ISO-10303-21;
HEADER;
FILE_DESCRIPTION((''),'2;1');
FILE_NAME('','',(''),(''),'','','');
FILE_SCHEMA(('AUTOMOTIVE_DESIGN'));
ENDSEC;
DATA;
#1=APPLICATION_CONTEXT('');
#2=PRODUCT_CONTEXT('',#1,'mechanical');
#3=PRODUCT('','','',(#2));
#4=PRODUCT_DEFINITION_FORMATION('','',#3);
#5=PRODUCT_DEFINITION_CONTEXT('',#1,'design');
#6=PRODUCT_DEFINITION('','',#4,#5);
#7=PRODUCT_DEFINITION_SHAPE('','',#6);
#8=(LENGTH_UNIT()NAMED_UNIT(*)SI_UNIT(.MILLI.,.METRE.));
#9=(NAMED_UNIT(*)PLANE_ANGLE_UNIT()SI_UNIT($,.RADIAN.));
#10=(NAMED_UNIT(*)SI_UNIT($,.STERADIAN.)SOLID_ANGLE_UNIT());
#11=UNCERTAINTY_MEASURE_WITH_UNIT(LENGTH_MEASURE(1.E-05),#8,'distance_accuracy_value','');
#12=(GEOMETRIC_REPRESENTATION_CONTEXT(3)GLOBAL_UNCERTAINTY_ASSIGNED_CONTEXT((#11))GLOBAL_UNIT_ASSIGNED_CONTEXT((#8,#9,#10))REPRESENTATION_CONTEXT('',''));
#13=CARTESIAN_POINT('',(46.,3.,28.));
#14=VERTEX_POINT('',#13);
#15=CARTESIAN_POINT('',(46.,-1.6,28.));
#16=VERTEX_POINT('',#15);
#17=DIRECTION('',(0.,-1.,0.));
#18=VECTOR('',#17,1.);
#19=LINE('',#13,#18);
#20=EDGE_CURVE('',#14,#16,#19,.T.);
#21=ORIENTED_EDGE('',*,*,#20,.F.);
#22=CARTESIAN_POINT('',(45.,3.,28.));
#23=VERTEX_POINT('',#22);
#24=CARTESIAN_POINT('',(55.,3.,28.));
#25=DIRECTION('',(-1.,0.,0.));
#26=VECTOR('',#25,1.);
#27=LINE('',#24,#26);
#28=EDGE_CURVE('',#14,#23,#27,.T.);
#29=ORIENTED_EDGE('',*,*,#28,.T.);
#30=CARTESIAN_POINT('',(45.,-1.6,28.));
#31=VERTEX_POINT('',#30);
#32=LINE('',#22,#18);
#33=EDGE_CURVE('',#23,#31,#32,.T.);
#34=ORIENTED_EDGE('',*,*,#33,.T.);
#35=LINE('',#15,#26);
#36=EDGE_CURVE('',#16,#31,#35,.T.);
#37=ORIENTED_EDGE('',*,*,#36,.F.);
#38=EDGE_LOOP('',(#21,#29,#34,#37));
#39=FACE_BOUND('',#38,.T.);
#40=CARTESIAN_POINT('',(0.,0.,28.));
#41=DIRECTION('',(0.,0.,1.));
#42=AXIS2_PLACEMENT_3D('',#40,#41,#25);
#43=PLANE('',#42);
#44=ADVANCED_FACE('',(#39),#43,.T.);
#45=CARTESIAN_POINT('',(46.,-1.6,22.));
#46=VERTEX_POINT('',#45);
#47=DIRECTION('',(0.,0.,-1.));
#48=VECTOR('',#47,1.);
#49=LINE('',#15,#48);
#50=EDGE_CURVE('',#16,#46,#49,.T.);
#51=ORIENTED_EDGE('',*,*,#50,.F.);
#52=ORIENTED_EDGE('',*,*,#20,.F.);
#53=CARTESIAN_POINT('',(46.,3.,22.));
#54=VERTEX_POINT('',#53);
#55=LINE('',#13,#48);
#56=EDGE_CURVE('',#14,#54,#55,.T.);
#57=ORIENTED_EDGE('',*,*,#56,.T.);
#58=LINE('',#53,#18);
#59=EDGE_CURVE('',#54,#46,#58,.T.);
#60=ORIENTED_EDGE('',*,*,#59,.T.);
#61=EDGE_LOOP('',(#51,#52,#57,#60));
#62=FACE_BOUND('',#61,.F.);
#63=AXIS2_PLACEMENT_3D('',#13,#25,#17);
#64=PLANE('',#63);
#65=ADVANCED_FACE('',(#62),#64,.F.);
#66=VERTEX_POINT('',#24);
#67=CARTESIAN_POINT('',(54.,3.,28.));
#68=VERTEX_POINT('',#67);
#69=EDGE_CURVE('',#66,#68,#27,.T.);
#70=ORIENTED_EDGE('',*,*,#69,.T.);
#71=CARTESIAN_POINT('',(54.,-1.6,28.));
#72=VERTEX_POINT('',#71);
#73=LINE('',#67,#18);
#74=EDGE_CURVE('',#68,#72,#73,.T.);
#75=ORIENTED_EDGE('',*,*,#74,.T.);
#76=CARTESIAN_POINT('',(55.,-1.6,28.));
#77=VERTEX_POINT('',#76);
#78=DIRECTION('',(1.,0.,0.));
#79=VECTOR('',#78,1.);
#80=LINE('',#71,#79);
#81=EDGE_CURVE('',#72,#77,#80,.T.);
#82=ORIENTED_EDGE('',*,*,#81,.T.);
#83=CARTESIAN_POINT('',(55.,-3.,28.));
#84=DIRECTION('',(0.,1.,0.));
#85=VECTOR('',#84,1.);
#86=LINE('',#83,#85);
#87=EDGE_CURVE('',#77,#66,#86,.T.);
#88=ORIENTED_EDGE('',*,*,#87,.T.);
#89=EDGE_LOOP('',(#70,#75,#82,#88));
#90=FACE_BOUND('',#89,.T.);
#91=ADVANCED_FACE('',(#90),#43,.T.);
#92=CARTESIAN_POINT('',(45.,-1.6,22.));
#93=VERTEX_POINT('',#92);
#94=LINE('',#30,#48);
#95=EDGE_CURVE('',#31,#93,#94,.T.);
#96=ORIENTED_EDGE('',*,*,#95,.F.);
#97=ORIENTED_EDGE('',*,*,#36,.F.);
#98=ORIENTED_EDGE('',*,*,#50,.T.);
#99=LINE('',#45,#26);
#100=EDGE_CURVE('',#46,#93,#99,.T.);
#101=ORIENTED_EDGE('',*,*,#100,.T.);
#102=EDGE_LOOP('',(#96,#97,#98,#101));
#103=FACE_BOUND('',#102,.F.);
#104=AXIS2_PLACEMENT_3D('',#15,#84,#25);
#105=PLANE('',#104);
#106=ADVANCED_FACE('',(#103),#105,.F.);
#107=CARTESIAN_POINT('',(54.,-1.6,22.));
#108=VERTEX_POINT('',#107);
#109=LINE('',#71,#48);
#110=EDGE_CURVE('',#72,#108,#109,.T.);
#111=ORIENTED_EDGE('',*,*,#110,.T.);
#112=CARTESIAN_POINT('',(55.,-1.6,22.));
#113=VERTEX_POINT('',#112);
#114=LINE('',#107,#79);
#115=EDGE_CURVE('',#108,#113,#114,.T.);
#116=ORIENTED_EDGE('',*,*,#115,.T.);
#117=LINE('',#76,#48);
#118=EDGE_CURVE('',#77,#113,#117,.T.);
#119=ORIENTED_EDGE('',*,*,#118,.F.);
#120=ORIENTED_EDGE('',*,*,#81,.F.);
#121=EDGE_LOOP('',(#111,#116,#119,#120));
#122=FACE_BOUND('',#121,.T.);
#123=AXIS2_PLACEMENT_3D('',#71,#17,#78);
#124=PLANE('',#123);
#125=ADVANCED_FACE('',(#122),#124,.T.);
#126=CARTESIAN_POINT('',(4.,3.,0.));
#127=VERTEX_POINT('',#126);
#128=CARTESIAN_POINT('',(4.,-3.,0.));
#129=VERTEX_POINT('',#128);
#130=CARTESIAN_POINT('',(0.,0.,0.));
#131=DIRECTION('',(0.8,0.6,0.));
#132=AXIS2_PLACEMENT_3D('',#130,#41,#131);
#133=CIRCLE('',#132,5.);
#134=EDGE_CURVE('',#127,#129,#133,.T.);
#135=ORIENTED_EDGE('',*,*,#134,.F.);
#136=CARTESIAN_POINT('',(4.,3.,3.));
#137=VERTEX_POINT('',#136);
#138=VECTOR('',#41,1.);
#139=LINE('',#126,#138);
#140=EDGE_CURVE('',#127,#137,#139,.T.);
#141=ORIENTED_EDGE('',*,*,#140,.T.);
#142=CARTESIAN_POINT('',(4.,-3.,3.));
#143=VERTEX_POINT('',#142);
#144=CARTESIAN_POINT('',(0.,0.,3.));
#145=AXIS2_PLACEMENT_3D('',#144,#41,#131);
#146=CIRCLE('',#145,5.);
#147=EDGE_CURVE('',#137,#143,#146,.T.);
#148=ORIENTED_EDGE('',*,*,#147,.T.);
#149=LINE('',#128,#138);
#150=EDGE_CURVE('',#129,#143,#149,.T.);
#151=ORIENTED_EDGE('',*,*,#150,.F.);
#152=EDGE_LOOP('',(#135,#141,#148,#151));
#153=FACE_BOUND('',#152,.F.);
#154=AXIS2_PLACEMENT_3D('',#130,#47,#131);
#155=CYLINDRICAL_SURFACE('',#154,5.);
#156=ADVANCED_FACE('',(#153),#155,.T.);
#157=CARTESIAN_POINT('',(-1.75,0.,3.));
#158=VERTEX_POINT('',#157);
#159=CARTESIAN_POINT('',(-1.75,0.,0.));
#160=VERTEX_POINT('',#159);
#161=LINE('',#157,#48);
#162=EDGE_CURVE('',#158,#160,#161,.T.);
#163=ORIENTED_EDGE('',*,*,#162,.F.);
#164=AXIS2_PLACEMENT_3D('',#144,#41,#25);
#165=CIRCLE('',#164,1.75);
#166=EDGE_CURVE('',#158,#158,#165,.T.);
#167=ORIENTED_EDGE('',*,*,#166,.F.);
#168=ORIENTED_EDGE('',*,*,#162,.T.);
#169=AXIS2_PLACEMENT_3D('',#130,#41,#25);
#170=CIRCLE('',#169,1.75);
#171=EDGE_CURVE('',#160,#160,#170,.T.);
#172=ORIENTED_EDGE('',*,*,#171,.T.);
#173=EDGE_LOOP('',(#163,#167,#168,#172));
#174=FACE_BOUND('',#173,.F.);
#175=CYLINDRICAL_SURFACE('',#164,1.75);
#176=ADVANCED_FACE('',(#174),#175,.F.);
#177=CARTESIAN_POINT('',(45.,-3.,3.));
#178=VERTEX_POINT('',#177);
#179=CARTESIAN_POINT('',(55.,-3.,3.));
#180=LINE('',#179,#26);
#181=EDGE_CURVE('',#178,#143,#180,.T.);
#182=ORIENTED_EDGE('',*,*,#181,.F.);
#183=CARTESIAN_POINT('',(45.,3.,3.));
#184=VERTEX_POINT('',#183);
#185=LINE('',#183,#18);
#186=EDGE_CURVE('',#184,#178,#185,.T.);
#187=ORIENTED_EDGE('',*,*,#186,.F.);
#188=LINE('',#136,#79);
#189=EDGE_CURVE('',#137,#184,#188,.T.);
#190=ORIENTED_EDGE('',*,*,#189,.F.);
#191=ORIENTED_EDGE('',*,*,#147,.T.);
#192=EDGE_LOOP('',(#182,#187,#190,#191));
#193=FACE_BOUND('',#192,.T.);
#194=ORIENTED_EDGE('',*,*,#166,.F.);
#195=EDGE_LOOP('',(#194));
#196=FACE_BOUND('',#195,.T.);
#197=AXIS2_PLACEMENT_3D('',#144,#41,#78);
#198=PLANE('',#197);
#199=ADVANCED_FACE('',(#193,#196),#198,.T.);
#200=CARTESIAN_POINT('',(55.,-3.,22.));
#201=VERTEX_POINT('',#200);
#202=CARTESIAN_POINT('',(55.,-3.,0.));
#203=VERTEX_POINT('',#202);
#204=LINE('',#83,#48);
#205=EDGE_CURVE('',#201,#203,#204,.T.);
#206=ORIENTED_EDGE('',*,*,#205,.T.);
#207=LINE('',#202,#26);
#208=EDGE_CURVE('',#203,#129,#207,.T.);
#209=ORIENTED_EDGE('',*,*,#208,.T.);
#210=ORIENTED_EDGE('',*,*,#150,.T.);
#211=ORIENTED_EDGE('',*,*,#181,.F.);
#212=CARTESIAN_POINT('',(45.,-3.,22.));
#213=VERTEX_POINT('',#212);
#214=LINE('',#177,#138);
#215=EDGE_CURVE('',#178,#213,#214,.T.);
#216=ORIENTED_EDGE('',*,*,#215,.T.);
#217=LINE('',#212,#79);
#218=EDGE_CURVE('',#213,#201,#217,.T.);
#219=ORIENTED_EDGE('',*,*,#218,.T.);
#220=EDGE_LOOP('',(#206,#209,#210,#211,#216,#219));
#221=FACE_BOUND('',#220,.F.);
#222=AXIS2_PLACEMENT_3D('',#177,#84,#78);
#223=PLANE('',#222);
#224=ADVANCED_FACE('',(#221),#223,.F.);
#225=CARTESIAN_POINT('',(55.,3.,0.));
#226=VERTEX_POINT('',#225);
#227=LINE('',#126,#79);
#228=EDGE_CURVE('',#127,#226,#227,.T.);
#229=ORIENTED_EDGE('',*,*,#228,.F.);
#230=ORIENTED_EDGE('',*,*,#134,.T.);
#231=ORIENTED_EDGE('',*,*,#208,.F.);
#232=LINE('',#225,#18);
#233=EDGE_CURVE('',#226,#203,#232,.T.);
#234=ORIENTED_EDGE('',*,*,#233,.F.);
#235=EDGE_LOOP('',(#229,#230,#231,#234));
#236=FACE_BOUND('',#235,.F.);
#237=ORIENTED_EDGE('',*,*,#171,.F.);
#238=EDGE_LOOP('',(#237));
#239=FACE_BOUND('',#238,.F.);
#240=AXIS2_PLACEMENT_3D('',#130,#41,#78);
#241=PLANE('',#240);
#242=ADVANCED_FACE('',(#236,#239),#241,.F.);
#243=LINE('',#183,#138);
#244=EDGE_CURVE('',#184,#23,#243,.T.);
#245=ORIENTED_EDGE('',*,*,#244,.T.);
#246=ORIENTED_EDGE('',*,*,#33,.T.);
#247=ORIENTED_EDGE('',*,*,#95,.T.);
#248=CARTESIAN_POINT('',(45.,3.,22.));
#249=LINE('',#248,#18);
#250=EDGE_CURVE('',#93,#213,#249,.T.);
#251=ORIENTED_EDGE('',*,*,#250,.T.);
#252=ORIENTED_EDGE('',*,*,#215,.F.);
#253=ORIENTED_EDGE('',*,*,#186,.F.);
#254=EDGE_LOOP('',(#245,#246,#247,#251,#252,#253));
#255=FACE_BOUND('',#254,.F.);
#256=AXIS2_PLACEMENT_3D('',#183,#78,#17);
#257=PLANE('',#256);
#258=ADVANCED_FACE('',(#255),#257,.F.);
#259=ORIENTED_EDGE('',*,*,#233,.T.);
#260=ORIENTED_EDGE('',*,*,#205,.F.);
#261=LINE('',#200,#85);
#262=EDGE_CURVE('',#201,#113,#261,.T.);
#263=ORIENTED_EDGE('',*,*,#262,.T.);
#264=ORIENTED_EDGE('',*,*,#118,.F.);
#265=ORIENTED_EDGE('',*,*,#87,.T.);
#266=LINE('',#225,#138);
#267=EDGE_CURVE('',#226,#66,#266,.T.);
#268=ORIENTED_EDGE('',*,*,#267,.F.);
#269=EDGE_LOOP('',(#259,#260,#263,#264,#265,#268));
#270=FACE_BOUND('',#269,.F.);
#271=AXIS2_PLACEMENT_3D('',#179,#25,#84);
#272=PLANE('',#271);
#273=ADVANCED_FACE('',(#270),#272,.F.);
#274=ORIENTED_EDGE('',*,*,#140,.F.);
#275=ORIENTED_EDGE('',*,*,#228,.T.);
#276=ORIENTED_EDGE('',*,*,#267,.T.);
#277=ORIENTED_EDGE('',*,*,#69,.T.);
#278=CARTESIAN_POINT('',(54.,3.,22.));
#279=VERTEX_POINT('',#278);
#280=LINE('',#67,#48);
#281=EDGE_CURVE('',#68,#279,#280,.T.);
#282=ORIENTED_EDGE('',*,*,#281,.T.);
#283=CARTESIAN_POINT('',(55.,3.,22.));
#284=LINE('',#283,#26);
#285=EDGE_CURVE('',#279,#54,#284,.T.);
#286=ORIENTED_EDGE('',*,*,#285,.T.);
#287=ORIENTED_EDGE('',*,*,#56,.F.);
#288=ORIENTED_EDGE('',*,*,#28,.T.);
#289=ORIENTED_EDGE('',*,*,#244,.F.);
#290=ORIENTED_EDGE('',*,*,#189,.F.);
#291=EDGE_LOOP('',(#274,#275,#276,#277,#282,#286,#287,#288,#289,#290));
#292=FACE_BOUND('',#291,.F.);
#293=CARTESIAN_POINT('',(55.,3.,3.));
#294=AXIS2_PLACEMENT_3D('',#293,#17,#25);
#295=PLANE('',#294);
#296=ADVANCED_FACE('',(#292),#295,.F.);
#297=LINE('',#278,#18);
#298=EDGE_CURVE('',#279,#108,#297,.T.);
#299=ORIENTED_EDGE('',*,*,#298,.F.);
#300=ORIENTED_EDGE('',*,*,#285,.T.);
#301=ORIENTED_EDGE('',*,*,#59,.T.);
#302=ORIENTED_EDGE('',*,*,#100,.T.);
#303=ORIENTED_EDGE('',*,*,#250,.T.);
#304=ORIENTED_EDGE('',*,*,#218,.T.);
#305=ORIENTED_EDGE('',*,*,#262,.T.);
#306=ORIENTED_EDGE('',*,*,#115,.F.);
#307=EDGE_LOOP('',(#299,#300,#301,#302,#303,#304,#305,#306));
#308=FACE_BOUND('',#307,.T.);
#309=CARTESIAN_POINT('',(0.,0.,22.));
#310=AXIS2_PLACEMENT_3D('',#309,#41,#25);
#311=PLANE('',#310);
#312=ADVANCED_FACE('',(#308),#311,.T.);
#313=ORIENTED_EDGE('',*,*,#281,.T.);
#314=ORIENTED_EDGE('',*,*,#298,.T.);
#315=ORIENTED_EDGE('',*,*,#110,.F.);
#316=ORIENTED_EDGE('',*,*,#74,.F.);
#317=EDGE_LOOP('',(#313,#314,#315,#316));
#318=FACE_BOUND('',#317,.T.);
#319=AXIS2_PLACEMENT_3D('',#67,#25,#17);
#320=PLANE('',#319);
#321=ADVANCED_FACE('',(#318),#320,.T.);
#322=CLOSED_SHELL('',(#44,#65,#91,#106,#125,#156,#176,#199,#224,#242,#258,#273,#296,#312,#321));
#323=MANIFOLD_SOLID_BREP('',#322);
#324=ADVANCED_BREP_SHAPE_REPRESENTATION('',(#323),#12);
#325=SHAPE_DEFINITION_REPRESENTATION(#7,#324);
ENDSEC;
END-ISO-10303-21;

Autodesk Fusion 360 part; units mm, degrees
sketch "Sketch1" plane through (0, 0, 0) normal (0, 0, 1) x (1, 0, 0)
  line L0 (55, -3) -> (4, -3)
  line L1 (-55, -3) -> (-55, 3)
  line L2 (4, 3) -> (55, 3)
  line L3 (55, 3) -> (55, -3)
  arc A0 (4, 3) -> (4, -3) centre (0, 0) ccw
  dimension "d1" = 10
  dimension "d3" = 6
extrude "Extrude1" add sketch "Sketch1" along normal blind 3
sketch "Sketch2" plane through (0, 0, 3) normal (0, 0, 1) x (-1, 0, 0)
  line L0 (-55, -3) -> (-4, -3)
  arc A0 (-4, -3) -> (-4, 3) centre (0, 0) ccw
  line L1 (-4, 3) -> (-55, 3)
  line L2 (-55, 3) -> (-55, -3)
  circle A1 centre (0, 0) radius 1.75
  dimension "d8" = 3.5
extrude "Extrude2" cut sketch "Sketch2" against normal blind 3 contours A1
sketch "Sketch3" plane through (0, 0, 3) normal (0, 0, 1) x (-1, 0, 0)
  circle A0 centre (0, 0) radius 1.75
  line L0 (-55, -3) -> (-4, -3)
  arc A1 (-4, -3) -> (-4, 3) centre (0, 0) ccw
  line L1 (-4, 3) -> (-55, 3)
  line L2 (-55, 3) -> (-55, -3)
  line L3 (-55, -3) -> (-45, -3)
  line L4 (-45, -3) -> (-45, 3)
  line L5 (-45, 3) -> (-55, 3)
  line L6 (-55, 3) -> (-55, -3)
  dimension "d11" = 10
extrude "Extrude3" add sketch "Sketch3" along normal blind 25 contours L0 L1 L2 L3 L4 L5 L6
sketch "Sketch4" plane through (0, 0, 28) normal (0, 0, 1) x (-1, 0, 0)
  line L0 (-55, 3) -> (-55, -3)
  line L1 (-55, -3) -> (-45, -3)
  line L2 (-45, -3) -> (-45, 3)
  line L3 (-45, 3) -> (-55, 3)
  line L4 (-45, -3) -> (-46, -3)
  line L5 (-46, -3) -> (-46, 1.6)
  line L6 (-46, 1.6) -> (-45, 1.6)
  line L7 (-45, 1.6) -> (-45, -3)
  line L8 (-55, -3) -> (-54, -3)
  line L9 (-54, -3) -> (-54, 1.6)
  line L10 (-54, 1.6) -> (-55, 1.6)
  line L11 (-55, 1.6) -> (-55, -3)
  dimension "d14" = 4.6
  dimension "d15" = 1
extrude "Extrude4" cut sketch "Sketch4" against normal blind 6 contours L0 L1 L2 L3 L5 L6 L9 L10
